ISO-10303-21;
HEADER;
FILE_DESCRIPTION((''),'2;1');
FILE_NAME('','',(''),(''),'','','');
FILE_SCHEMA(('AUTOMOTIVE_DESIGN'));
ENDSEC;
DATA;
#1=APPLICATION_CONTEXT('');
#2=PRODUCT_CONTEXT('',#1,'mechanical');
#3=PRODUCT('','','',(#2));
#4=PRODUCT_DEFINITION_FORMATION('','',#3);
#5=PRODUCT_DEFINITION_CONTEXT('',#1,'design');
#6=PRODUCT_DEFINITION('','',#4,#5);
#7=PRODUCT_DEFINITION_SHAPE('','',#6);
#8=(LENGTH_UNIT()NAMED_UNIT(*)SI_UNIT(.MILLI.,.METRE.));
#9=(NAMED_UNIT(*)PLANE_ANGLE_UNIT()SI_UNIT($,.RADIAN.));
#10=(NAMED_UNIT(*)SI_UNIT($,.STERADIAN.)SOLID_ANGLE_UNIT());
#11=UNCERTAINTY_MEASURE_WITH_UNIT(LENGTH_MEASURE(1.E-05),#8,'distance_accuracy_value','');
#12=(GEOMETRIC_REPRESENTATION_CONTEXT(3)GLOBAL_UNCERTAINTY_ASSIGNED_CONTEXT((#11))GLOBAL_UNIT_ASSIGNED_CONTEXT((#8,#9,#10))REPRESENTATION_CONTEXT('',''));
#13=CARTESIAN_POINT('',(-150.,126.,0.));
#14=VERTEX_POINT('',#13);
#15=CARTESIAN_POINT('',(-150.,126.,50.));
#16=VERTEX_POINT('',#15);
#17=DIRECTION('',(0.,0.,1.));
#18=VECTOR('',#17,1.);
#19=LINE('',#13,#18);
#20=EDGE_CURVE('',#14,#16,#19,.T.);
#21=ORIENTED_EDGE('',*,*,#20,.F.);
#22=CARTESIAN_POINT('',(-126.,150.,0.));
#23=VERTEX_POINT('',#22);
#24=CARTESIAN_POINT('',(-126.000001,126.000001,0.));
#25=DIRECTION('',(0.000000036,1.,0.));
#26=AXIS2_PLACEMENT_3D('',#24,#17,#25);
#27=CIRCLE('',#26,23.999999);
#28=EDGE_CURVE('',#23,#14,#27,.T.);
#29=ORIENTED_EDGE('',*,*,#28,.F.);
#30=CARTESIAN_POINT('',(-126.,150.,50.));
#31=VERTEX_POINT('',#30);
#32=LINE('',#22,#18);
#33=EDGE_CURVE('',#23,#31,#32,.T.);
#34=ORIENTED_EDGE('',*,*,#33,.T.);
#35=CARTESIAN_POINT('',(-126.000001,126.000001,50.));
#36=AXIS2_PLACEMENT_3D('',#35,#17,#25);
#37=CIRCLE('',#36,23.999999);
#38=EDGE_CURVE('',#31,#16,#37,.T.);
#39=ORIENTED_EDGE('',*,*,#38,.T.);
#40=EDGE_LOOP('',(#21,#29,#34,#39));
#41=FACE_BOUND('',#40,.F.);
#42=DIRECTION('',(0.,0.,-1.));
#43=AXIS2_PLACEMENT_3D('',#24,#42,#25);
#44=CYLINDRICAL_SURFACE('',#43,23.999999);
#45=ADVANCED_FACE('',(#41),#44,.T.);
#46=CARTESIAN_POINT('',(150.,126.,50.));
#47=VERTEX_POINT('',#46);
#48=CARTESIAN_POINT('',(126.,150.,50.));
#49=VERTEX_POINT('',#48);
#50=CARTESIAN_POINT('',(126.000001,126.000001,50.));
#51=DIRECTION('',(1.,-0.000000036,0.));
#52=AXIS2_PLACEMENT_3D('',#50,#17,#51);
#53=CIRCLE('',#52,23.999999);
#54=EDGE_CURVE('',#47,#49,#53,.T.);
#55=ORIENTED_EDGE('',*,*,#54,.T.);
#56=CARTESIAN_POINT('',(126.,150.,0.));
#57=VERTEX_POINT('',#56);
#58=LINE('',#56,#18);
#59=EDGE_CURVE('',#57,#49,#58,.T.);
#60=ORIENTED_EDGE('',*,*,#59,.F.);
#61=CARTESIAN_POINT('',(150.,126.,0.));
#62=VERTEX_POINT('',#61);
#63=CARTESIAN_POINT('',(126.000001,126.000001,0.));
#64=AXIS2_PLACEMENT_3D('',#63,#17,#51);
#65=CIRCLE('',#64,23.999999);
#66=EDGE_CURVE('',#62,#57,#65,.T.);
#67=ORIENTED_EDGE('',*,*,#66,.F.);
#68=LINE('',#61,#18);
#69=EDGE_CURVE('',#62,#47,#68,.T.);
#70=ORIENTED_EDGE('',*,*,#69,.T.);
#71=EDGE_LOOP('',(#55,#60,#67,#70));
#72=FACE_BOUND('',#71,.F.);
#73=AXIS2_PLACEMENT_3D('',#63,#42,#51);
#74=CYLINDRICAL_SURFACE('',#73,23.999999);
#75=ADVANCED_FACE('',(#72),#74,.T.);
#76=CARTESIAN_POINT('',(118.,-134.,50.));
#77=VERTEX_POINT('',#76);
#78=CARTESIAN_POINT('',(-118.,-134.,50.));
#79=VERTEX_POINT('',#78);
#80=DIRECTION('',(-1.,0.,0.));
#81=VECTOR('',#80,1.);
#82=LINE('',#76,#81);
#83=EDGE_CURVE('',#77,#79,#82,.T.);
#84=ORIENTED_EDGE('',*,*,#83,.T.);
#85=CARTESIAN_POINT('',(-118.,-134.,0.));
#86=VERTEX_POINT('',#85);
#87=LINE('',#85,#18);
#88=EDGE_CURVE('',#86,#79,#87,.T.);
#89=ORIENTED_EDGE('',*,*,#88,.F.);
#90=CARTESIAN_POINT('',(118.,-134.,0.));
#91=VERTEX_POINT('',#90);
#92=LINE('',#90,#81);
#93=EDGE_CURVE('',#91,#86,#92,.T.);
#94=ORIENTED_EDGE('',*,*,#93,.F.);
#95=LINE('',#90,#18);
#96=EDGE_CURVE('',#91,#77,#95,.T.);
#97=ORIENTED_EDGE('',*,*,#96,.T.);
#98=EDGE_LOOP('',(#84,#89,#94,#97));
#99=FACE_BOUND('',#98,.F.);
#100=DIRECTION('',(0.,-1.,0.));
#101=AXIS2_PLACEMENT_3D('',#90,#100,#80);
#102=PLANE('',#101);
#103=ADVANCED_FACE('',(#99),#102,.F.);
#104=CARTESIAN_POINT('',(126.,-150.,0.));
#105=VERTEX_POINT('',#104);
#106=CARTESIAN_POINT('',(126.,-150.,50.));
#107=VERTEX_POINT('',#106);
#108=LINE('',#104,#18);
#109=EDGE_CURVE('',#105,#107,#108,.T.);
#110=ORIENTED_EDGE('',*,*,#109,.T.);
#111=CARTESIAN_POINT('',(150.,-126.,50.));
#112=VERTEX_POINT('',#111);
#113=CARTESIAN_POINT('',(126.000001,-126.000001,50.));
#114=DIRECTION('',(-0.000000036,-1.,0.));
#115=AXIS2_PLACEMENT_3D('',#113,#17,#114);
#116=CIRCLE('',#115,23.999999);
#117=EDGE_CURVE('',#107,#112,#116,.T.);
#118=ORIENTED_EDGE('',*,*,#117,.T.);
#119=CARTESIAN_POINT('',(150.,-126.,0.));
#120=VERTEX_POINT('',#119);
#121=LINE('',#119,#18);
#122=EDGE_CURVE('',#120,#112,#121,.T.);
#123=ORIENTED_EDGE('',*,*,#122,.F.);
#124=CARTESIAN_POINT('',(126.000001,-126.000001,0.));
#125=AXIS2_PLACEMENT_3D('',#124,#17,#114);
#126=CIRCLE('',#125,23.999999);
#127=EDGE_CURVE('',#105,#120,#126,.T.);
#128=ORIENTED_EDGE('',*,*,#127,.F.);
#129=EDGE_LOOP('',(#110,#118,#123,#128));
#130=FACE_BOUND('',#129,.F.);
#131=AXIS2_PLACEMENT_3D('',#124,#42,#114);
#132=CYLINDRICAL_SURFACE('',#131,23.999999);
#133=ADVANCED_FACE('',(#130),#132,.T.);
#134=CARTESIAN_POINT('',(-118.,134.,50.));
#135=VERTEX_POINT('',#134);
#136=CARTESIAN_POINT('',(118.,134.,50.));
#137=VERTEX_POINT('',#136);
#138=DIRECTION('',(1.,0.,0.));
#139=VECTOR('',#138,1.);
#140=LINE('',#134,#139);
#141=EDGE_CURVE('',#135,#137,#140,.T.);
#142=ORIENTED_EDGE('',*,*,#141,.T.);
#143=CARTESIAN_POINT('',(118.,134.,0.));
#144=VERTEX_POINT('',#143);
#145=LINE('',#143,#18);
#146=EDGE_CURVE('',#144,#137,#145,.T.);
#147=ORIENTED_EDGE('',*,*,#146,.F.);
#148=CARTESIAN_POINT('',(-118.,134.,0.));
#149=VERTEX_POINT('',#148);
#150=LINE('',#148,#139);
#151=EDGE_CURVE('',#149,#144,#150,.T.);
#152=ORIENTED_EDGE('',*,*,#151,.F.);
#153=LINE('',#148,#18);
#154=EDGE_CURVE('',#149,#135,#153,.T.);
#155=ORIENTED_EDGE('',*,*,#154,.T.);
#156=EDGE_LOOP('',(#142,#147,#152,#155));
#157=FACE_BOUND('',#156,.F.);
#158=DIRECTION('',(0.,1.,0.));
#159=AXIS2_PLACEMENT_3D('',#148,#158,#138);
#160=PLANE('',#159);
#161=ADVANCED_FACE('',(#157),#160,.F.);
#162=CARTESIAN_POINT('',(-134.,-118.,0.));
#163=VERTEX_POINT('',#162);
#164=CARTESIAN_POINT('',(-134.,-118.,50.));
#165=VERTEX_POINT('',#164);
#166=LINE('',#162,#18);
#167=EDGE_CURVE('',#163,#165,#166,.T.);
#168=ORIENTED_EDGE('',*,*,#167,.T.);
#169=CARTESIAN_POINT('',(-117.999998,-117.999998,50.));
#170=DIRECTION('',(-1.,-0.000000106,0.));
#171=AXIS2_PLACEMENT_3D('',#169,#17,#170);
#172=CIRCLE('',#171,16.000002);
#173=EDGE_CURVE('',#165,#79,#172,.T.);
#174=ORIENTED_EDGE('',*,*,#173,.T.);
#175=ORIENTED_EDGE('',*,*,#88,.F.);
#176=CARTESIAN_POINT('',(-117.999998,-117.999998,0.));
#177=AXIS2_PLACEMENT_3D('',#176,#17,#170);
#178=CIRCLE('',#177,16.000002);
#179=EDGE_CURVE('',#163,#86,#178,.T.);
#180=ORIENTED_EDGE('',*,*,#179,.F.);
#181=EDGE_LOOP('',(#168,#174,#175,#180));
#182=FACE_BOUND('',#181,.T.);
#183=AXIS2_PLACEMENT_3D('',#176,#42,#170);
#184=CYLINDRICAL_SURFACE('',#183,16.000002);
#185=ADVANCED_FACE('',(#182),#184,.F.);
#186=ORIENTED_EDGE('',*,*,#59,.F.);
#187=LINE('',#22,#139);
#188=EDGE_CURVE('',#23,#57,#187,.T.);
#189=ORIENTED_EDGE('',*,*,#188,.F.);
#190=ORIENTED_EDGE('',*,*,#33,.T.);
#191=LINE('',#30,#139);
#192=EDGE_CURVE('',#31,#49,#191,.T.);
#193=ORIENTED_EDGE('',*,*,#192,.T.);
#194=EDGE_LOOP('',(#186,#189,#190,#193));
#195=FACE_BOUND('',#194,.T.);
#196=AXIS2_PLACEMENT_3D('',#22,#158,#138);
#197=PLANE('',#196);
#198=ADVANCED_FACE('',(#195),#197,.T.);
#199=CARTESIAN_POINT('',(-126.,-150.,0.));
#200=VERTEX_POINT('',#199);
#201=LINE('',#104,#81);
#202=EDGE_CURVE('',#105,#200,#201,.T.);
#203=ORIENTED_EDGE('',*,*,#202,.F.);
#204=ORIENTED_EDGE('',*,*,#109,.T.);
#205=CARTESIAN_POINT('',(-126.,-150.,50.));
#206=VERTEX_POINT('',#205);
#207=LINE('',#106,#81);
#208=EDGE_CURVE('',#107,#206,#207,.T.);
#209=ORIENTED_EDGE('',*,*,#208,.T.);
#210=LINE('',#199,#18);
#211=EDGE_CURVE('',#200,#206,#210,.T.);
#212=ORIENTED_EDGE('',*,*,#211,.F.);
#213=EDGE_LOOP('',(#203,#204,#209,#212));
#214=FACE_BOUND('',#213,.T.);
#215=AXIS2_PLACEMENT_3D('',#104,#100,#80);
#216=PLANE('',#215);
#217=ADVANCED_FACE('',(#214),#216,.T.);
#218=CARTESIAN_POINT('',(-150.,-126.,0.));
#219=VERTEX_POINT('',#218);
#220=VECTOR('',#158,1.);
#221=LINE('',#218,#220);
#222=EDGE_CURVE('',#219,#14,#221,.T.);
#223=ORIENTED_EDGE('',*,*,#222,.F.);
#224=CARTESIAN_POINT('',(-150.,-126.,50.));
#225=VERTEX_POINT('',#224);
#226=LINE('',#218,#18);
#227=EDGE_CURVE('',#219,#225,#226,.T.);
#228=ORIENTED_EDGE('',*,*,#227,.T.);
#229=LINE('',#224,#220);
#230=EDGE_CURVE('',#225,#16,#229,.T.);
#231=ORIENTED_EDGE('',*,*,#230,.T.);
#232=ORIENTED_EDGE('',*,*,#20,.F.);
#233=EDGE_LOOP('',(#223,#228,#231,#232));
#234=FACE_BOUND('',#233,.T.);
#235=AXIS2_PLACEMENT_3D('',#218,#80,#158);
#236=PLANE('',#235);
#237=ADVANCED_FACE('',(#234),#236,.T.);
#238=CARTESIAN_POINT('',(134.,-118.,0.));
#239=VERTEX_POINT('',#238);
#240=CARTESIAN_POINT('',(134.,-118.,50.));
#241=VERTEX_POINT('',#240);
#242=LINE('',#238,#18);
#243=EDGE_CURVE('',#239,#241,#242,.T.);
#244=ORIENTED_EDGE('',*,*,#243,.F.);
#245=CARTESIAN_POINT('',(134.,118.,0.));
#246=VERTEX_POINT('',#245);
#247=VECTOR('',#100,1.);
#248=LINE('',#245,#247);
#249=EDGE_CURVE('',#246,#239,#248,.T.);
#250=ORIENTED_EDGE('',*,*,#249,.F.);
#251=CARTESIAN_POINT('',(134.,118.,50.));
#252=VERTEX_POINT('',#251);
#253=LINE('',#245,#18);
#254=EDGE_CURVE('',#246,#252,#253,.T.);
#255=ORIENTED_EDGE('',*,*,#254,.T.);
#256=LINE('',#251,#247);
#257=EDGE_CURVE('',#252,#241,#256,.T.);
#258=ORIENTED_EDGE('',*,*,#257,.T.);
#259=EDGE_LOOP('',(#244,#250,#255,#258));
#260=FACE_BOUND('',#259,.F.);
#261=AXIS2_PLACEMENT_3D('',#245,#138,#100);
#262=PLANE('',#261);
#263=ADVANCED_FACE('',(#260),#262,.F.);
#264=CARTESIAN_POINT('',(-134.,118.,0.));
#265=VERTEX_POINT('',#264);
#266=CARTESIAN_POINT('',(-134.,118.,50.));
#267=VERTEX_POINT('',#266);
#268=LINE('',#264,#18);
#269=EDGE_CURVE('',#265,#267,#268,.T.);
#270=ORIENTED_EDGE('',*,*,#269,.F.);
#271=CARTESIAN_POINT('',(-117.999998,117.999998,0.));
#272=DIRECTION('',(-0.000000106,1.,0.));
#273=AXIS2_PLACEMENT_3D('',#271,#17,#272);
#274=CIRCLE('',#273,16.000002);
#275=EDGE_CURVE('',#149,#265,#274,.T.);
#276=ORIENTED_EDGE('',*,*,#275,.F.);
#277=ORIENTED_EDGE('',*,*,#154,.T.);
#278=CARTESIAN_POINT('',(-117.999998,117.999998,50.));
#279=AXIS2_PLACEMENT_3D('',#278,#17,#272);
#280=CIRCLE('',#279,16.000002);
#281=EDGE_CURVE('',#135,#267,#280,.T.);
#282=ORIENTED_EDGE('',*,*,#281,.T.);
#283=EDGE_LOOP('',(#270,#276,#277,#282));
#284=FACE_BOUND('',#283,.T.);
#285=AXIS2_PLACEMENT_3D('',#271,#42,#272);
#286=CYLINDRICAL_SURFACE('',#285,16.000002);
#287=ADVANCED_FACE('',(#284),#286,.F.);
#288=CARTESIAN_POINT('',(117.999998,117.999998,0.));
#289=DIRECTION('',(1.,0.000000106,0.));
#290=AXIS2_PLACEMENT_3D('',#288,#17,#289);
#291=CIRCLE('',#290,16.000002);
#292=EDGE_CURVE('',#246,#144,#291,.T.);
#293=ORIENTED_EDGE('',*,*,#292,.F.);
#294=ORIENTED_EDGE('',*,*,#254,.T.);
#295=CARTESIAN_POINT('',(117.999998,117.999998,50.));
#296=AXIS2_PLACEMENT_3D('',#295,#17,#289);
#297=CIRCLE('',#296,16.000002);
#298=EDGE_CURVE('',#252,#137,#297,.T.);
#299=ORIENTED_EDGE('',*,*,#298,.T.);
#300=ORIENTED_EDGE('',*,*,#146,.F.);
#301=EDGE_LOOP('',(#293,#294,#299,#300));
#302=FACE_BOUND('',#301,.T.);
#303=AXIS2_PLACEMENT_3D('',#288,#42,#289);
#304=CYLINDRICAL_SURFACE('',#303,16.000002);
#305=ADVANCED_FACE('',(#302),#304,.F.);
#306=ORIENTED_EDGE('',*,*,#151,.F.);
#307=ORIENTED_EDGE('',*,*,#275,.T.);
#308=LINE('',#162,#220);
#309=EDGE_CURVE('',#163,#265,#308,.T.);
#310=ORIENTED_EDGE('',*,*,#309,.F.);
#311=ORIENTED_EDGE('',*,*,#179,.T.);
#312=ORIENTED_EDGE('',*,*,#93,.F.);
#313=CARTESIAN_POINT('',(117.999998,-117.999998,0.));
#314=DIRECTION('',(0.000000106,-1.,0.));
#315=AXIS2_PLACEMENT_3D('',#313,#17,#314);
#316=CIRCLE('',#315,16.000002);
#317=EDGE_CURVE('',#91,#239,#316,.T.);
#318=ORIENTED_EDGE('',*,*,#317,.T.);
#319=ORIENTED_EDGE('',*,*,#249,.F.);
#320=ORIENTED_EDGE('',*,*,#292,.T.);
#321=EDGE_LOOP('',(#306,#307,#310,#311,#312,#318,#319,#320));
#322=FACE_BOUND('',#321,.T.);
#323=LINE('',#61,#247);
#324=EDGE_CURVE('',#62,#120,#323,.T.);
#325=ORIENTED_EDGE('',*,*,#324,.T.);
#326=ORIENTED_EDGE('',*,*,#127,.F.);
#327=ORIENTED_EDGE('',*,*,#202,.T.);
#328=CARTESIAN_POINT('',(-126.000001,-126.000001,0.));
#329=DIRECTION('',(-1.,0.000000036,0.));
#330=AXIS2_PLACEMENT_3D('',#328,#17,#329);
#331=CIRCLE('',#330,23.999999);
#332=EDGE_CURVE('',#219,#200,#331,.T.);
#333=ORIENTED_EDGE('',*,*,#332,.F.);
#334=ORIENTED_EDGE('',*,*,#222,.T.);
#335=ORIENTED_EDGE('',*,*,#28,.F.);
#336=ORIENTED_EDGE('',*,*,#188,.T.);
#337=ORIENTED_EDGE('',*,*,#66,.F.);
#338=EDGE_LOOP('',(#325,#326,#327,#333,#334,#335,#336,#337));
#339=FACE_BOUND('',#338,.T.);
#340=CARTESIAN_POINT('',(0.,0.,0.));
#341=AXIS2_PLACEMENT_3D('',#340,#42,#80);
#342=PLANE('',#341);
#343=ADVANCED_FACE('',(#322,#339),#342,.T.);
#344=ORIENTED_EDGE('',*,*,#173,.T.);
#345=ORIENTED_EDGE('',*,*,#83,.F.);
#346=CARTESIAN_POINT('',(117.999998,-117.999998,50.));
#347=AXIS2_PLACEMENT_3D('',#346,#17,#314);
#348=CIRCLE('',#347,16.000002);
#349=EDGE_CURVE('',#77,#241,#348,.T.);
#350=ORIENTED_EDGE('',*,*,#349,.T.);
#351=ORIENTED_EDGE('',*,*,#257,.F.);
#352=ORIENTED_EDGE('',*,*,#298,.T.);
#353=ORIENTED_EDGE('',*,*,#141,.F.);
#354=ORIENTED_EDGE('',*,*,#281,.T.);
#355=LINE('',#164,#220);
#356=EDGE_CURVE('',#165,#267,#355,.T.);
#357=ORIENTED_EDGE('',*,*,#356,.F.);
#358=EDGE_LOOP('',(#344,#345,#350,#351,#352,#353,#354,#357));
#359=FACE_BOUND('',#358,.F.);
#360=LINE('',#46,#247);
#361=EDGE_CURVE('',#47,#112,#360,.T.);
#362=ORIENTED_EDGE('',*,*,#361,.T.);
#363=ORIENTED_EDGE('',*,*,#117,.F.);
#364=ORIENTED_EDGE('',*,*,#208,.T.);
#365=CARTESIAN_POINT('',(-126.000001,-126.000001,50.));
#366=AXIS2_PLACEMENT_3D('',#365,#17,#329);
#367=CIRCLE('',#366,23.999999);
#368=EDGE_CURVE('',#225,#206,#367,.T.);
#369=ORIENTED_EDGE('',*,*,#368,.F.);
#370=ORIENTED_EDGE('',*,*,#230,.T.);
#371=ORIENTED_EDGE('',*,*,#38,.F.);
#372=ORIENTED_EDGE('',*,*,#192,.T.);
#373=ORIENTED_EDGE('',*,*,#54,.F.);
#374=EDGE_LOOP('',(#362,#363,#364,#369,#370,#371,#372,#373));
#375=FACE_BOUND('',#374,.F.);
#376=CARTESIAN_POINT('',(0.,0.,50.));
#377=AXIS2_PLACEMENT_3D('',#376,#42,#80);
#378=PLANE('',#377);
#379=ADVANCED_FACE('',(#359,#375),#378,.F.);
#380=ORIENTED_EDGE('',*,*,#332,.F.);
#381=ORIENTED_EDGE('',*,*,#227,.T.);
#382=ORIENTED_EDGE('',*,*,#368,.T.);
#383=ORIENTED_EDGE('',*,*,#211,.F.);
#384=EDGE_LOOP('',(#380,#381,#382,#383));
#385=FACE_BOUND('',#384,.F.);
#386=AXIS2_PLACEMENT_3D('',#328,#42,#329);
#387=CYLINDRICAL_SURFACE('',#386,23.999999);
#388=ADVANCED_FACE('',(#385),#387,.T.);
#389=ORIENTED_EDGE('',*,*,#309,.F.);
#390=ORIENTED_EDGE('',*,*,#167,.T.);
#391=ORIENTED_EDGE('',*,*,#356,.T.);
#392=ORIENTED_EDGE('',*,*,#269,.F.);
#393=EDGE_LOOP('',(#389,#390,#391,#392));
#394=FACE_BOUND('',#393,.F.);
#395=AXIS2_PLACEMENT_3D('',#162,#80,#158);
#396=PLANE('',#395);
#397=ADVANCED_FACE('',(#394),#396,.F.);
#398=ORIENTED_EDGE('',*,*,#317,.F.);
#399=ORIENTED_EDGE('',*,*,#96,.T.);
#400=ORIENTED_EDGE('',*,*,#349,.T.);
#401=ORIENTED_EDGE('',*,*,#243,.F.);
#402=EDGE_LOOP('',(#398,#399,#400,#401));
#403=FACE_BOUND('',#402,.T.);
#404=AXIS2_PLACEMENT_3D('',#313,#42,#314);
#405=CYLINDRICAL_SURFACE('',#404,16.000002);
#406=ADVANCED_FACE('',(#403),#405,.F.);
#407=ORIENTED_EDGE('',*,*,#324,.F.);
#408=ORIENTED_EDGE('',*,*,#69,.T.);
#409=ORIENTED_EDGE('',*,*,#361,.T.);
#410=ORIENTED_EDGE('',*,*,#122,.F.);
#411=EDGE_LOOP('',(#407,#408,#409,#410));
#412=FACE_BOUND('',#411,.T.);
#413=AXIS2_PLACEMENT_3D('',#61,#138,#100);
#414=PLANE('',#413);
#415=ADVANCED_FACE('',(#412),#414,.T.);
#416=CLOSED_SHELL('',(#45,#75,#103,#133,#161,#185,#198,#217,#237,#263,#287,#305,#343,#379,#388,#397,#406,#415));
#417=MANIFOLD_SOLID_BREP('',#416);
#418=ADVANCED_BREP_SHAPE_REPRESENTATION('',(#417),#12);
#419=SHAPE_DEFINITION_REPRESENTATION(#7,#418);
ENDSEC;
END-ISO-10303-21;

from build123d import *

# Parameters (mm, degrees)
EXTRUDE_DEPTH = 50


with BuildPart() as part:
    # Sketch → Extrude (new body)
    with BuildSketch(Plane.XY):
        with BuildLine():
            Line((-126, 150), (126, 150))
            ThreePointArc((150, 126), (142.970563, 142.970563), (126, 150))
            Line((150, 126), (150, -126))
            ThreePointArc((126, -150), (142.970563, -142.970563), (150, -126))
            Line((126, -150), (-126, -150))
            ThreePointArc((-150, -126), (-142.970563, -142.970563), (-126, -150))
            Line((-150, -126), (-150, 126))
            ThreePointArc((-126, 150), (-142.970563, 142.970563), (-150, 126))
        make_face()
        with BuildLine():
            Line((-118, 134), (118, 134))
            ThreePointArc((134, 118), (129.313708, 129.313708), (118, 134))
            Line((134, 118), (134, -118))
            ThreePointArc((118, -134), (129.313708, -129.313708), (134, -118))
            Line((118, -134), (-118, -134))
            ThreePointArc((-134, -118), (-129.313708, -129.313708), (-118, -134))
            Line((-134, -118), (-134, 118))
            ThreePointArc((-118, 134), (-129.313708, 129.313708), (-134, 118))
        make_face(mode=Mode.SUBTRACT)
    extrude(amount=EXTRUDE_DEPTH)


solid = part.part
